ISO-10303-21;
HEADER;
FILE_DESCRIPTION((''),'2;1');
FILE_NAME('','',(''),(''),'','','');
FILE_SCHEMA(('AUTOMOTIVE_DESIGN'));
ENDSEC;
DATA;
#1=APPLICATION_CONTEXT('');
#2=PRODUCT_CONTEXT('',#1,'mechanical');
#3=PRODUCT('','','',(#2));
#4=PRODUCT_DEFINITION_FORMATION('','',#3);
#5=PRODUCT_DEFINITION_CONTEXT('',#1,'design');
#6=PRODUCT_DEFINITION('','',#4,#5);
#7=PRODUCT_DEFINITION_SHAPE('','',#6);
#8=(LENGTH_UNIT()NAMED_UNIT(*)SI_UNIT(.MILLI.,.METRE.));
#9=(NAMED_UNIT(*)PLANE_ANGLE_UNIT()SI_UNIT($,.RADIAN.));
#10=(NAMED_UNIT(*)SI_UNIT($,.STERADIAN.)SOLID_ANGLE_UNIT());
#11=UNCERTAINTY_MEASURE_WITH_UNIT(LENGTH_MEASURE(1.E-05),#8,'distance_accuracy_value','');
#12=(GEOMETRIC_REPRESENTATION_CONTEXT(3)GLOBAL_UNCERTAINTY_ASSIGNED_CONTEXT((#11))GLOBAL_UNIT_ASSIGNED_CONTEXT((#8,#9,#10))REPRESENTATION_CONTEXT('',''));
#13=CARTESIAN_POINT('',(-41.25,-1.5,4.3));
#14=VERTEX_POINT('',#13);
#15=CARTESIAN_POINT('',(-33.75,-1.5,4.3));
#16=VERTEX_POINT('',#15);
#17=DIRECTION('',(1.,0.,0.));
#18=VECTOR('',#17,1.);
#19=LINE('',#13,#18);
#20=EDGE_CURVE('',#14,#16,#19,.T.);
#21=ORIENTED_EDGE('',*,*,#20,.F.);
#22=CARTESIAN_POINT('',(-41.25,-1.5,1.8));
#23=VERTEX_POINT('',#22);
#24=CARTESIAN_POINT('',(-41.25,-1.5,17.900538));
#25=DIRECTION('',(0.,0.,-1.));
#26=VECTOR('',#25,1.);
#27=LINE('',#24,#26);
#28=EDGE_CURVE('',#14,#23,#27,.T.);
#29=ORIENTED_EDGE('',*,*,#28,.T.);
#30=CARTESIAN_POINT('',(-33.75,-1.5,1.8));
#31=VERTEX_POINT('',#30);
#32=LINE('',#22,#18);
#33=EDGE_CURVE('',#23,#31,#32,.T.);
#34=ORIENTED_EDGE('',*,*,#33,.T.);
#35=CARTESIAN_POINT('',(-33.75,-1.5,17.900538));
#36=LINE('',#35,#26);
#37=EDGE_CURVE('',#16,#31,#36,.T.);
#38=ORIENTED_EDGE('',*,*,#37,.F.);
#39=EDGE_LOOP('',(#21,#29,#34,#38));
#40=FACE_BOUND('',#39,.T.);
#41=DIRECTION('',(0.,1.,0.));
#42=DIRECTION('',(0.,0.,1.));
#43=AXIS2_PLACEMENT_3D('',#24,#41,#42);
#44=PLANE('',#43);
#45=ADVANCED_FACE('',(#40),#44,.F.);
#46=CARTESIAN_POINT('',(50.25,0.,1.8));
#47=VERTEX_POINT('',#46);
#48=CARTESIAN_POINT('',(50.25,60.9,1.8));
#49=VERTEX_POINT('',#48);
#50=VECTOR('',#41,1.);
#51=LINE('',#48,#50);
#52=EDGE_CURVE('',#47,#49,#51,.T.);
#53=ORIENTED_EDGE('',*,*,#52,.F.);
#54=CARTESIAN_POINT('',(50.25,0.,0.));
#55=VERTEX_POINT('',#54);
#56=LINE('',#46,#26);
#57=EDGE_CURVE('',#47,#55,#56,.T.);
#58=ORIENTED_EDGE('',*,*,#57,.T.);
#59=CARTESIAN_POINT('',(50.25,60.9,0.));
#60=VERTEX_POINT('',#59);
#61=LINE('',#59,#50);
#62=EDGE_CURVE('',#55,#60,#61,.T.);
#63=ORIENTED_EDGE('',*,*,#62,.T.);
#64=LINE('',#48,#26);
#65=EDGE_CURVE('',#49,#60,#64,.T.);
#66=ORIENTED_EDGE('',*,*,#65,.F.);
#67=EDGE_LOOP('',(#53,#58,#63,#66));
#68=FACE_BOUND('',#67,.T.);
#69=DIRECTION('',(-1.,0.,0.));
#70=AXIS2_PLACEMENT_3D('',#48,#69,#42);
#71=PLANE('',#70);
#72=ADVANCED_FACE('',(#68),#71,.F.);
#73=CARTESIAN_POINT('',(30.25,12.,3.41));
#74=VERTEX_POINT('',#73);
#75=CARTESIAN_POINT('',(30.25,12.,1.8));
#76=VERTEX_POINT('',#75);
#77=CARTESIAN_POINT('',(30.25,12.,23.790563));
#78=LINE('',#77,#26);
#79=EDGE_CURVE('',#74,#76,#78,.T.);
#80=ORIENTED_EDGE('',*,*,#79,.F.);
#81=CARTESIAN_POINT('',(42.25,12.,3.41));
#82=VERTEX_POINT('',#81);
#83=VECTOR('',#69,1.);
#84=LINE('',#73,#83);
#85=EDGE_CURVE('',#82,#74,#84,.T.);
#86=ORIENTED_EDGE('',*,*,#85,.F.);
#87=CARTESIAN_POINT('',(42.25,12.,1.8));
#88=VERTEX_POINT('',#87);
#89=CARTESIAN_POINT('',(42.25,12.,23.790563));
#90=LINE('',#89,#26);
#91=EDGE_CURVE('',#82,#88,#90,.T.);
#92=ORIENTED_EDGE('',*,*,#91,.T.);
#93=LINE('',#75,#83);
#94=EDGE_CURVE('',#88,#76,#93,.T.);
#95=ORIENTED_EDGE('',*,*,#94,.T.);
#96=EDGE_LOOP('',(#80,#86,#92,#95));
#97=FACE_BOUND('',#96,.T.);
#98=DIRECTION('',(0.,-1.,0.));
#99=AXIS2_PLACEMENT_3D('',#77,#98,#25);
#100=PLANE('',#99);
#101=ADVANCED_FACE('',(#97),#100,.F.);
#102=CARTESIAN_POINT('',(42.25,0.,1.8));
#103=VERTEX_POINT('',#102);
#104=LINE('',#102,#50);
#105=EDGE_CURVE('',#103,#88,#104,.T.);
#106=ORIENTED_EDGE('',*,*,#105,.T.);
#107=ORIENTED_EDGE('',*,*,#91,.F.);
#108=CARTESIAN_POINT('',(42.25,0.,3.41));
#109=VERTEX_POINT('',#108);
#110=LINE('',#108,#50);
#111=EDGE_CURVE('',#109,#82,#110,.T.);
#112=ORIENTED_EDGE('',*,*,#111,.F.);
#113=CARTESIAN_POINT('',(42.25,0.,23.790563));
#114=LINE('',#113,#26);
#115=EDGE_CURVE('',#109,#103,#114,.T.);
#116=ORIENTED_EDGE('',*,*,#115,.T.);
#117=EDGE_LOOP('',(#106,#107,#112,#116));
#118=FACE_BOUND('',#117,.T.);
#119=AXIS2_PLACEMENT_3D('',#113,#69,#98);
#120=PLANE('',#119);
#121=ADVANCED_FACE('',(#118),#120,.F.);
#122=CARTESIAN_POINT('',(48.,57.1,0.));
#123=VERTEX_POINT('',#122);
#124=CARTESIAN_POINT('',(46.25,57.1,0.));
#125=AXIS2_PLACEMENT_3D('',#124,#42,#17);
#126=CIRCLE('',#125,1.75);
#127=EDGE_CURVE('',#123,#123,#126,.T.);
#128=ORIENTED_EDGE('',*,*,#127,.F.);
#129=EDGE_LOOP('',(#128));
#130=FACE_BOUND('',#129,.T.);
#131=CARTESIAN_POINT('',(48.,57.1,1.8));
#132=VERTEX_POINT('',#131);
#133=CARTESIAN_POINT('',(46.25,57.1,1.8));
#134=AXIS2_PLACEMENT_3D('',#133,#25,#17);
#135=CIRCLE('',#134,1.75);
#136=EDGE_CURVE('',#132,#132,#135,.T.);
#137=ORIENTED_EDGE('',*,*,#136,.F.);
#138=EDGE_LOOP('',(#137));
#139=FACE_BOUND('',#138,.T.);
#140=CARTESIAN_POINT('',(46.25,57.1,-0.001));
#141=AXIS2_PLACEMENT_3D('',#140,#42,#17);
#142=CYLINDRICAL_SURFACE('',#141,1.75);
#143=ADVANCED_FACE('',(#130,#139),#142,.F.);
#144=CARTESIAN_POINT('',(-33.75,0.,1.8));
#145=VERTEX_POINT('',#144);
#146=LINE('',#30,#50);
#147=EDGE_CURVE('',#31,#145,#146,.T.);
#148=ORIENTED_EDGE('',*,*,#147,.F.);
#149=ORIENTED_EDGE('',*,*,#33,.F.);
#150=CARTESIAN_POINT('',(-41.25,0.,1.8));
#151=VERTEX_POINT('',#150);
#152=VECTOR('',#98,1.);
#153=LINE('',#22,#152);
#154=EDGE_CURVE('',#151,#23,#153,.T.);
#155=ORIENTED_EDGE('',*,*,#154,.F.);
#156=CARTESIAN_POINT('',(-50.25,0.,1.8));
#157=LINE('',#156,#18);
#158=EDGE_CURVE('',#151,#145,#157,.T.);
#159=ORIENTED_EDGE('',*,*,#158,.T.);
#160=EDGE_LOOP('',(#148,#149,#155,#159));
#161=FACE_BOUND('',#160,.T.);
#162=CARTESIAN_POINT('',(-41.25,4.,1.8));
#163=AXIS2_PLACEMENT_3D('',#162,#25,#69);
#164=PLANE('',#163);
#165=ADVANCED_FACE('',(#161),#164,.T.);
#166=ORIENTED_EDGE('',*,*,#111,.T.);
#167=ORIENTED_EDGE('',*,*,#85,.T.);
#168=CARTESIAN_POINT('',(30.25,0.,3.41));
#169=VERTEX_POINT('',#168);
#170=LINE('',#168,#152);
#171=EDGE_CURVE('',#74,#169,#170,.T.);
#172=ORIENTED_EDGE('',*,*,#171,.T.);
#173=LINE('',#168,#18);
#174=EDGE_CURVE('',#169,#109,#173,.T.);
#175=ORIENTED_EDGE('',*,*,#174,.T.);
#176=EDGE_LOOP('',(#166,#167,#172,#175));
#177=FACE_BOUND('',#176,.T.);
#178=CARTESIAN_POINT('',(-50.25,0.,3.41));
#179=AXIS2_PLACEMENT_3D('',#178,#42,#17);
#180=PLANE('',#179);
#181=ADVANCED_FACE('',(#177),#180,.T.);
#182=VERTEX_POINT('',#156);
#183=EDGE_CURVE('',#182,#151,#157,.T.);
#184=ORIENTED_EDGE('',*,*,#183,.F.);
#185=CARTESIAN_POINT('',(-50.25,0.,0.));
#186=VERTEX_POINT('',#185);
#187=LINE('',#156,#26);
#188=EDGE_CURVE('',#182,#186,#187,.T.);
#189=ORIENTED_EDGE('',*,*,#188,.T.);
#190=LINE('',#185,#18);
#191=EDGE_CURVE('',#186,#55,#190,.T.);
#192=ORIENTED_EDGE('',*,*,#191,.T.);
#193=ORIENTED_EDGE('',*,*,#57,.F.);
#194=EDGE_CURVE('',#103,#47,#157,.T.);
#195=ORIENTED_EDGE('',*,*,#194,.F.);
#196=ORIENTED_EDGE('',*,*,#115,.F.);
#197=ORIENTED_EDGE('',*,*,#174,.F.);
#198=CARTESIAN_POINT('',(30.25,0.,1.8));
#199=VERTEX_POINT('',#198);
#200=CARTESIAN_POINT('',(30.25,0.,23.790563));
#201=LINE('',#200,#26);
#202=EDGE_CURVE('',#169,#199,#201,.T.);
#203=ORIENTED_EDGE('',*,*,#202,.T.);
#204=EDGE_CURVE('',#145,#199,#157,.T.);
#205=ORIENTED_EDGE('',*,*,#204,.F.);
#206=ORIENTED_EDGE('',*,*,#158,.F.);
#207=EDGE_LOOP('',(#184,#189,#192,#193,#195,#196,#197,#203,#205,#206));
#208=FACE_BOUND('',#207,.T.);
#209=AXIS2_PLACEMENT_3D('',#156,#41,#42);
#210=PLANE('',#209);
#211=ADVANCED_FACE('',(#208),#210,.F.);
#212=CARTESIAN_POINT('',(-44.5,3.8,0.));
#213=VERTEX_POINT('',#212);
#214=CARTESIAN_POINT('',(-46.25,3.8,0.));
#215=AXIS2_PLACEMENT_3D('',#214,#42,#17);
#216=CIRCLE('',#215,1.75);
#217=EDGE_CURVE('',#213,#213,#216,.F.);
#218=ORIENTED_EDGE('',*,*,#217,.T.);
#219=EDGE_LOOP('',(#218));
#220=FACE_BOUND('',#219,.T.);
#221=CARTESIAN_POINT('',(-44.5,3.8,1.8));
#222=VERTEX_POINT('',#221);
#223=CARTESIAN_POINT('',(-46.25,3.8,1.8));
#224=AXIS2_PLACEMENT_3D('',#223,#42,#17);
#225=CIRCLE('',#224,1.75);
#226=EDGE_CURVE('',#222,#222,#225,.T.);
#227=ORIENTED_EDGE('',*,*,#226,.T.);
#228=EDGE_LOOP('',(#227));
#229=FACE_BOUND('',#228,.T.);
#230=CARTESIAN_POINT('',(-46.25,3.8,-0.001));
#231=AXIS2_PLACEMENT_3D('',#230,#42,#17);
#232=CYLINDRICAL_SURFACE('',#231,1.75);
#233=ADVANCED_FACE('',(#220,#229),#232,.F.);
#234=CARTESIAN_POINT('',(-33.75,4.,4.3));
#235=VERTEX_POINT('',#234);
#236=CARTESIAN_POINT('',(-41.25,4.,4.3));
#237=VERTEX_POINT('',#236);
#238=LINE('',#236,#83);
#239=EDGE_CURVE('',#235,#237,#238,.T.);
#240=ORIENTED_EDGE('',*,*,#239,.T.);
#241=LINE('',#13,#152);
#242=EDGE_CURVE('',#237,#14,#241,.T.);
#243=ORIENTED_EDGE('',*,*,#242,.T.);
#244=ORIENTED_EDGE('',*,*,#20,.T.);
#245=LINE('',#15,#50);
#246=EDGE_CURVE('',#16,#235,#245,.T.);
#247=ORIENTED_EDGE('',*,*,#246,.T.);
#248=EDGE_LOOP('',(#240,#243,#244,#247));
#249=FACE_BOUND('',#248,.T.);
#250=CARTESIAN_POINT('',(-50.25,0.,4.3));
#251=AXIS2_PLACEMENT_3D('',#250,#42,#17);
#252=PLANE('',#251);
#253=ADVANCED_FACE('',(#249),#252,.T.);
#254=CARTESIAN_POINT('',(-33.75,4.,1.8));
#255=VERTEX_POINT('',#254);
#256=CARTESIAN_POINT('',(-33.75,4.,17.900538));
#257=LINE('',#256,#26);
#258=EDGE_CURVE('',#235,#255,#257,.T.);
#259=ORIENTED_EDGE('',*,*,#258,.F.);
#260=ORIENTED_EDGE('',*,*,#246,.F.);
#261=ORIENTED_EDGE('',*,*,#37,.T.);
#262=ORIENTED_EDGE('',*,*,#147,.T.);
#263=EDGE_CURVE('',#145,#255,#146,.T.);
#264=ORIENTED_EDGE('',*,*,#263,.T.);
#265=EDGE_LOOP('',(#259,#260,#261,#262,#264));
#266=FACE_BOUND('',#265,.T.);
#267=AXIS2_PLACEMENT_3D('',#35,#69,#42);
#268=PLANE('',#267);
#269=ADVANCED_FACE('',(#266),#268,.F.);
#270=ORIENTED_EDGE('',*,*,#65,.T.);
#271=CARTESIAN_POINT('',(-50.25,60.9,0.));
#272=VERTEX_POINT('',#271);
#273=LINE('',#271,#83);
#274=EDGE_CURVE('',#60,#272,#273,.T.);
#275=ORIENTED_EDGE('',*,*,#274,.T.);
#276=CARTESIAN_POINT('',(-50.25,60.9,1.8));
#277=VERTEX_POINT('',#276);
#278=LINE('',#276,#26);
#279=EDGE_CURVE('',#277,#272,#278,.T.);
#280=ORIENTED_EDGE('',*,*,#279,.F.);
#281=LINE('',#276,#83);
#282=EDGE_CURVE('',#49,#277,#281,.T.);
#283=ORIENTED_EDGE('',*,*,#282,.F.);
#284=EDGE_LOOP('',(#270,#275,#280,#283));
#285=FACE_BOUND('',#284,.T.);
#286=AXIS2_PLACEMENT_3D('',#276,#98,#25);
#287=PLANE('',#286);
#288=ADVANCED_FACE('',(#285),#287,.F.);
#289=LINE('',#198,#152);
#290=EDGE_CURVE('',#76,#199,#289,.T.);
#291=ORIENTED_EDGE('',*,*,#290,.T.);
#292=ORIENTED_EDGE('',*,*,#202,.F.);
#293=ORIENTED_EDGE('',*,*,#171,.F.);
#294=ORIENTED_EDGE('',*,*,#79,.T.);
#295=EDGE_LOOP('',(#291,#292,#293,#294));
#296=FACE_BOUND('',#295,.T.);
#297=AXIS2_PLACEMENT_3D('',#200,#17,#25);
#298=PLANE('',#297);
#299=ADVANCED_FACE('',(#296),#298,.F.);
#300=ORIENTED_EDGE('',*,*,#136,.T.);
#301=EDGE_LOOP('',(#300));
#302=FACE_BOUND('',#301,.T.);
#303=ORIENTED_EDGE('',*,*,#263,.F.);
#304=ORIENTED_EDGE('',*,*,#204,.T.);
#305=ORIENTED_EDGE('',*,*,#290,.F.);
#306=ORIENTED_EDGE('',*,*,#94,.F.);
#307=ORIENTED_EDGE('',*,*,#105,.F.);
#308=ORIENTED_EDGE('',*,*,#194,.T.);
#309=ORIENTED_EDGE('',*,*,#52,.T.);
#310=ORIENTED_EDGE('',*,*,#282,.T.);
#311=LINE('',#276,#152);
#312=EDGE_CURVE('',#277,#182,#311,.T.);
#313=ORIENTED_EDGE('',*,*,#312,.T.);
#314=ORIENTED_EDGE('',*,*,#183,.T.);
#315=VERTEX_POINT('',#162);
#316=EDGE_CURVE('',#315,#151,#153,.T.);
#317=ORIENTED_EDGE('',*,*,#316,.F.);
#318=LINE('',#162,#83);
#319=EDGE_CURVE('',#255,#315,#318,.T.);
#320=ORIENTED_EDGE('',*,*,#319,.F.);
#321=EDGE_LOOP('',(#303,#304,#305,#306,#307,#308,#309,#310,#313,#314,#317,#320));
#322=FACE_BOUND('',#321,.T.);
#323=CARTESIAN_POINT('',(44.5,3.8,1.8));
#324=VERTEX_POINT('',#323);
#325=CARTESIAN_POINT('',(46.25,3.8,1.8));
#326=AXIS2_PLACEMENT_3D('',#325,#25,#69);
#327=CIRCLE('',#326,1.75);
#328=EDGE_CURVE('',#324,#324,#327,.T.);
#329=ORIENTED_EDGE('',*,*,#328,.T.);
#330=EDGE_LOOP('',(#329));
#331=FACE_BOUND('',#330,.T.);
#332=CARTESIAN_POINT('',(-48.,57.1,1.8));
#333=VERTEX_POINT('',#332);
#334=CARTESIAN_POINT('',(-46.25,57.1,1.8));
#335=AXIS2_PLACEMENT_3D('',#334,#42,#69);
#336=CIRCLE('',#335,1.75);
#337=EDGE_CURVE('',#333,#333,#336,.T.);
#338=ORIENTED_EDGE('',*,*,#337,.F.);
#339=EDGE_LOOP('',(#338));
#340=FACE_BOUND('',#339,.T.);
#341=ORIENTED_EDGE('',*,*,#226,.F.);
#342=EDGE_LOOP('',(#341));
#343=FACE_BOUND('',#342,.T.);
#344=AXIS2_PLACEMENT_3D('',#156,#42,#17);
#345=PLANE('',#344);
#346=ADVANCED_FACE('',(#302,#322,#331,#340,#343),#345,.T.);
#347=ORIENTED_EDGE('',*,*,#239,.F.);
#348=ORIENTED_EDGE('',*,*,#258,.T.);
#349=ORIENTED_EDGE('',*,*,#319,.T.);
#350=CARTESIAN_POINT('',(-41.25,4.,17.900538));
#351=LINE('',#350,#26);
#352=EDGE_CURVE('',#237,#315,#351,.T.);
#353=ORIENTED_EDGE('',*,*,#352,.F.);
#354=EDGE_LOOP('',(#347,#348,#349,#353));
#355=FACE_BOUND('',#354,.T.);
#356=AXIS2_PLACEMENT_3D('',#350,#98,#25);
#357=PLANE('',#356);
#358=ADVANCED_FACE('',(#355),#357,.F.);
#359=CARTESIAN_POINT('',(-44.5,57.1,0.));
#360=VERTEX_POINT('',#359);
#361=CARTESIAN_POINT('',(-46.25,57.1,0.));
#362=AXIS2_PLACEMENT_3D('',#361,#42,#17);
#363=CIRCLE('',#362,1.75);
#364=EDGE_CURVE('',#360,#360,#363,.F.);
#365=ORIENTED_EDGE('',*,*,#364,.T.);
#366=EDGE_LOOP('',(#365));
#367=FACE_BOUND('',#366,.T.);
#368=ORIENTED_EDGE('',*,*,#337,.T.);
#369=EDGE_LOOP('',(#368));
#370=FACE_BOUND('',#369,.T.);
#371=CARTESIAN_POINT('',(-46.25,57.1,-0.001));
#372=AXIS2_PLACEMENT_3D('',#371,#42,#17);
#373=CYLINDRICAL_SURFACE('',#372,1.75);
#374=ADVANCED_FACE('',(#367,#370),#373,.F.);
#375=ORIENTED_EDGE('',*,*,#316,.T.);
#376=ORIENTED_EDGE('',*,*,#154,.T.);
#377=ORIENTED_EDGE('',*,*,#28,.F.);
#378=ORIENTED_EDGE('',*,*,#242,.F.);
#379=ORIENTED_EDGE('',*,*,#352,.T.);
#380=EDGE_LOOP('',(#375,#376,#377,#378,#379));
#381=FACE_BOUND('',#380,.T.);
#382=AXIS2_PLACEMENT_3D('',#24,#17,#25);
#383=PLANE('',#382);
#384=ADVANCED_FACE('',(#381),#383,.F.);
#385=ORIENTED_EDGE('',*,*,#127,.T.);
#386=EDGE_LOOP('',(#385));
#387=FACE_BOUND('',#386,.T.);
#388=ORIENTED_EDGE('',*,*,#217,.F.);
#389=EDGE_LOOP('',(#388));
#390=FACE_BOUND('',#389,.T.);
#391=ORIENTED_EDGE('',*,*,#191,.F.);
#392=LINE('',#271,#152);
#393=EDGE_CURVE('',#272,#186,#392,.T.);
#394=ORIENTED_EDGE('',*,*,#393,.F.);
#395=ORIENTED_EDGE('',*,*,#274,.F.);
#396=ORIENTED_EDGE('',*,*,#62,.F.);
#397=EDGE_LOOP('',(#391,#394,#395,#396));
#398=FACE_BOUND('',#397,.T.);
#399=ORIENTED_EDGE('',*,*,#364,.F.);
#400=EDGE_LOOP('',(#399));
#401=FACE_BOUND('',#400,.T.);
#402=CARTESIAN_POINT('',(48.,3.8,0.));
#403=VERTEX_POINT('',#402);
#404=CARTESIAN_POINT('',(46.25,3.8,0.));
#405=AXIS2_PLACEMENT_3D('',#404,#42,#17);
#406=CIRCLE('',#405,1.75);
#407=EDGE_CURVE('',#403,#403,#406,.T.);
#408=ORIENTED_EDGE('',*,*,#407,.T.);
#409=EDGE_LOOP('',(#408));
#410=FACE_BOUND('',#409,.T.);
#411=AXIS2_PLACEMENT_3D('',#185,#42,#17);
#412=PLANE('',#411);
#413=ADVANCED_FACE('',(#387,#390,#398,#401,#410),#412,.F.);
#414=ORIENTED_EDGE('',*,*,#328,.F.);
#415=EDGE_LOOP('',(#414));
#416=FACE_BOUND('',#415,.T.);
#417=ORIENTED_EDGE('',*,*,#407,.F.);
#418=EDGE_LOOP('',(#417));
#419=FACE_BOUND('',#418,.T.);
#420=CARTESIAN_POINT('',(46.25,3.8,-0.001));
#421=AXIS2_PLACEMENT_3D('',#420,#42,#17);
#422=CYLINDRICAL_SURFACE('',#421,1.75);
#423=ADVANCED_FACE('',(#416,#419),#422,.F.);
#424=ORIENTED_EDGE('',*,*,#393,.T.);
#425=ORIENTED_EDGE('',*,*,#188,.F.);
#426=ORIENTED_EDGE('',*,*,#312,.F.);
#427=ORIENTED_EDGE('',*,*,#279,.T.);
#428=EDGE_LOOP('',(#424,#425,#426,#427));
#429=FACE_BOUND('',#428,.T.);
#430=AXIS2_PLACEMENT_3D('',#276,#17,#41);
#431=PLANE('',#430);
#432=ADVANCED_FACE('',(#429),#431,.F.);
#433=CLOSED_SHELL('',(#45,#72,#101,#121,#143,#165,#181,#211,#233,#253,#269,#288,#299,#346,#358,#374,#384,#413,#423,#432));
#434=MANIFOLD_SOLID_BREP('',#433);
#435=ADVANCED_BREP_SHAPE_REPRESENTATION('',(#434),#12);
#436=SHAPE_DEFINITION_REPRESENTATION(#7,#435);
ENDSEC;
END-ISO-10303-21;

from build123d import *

# Parameters (mm, degrees)
SKETCH1_W           = 100.5
SKETCH1_H           = 60.9
BOSS_EXTRUDE1_DEPTH = 1.8
SKETCH2_R           = 1.75
CUT_EXTRUDE1_DEPTH  = 1.8
SKETCH3_W           = 12
SKETCH3_H           = 12
BOSS_EXTRUDE2_DEPTH = 1.61
SKETCH4_W           = 7.5
SKETCH4_H           = 5.5
BOSS_EXTRUDE3_DEPTH = 2.5


with BuildPart() as part:
    # Sketch1 → Boss-Extrude1 (new body)
    with BuildSketch(Plane.XY):
        with Locations((0, 30.45)):
            Rectangle(SKETCH1_W, SKETCH1_H)
    extrude(amount=BOSS_EXTRUDE1_DEPTH)

    # Sketch2 → Cut-Extrude1 (cut)
    with BuildSketch(Plane.XY.offset(1.8)):
        with Locations((-46.25, 3.8)):
            Circle(SKETCH2_R)
        with Locations((-46.25, 57.1)):
            Circle(SKETCH2_R)
    cut_extrude1 = extrude(amount=-CUT_EXTRUDE1_DEPTH, mode=Mode.SUBTRACT)

    # Mirror1: Cut-Extrude1 across plane
    add(cut_extrude1.mirror(Plane(origin=(0, 0, 0), x_dir=(0, 0, 1), z_dir=(1, 0, 0))), mode=Mode.SUBTRACT)

    # Sketch3 → Boss-Extrude2 (add)
    with BuildSketch(Plane.XY.offset(1.8)):
        with Locations((36.25, 6)):
            Rectangle(SKETCH3_W, SKETCH3_H)
    extrude(amount=BOSS_EXTRUDE2_DEPTH)

    # Sketch4 → Boss-Extrude3 (add)
    with BuildSketch(Plane.XY.offset(1.8)):
        with Locations((-37.5, 1.25)):
            Rectangle(SKETCH4_W, SKETCH4_H)
    extrude(amount=BOSS_EXTRUDE3_DEPTH)


solid = part.part
